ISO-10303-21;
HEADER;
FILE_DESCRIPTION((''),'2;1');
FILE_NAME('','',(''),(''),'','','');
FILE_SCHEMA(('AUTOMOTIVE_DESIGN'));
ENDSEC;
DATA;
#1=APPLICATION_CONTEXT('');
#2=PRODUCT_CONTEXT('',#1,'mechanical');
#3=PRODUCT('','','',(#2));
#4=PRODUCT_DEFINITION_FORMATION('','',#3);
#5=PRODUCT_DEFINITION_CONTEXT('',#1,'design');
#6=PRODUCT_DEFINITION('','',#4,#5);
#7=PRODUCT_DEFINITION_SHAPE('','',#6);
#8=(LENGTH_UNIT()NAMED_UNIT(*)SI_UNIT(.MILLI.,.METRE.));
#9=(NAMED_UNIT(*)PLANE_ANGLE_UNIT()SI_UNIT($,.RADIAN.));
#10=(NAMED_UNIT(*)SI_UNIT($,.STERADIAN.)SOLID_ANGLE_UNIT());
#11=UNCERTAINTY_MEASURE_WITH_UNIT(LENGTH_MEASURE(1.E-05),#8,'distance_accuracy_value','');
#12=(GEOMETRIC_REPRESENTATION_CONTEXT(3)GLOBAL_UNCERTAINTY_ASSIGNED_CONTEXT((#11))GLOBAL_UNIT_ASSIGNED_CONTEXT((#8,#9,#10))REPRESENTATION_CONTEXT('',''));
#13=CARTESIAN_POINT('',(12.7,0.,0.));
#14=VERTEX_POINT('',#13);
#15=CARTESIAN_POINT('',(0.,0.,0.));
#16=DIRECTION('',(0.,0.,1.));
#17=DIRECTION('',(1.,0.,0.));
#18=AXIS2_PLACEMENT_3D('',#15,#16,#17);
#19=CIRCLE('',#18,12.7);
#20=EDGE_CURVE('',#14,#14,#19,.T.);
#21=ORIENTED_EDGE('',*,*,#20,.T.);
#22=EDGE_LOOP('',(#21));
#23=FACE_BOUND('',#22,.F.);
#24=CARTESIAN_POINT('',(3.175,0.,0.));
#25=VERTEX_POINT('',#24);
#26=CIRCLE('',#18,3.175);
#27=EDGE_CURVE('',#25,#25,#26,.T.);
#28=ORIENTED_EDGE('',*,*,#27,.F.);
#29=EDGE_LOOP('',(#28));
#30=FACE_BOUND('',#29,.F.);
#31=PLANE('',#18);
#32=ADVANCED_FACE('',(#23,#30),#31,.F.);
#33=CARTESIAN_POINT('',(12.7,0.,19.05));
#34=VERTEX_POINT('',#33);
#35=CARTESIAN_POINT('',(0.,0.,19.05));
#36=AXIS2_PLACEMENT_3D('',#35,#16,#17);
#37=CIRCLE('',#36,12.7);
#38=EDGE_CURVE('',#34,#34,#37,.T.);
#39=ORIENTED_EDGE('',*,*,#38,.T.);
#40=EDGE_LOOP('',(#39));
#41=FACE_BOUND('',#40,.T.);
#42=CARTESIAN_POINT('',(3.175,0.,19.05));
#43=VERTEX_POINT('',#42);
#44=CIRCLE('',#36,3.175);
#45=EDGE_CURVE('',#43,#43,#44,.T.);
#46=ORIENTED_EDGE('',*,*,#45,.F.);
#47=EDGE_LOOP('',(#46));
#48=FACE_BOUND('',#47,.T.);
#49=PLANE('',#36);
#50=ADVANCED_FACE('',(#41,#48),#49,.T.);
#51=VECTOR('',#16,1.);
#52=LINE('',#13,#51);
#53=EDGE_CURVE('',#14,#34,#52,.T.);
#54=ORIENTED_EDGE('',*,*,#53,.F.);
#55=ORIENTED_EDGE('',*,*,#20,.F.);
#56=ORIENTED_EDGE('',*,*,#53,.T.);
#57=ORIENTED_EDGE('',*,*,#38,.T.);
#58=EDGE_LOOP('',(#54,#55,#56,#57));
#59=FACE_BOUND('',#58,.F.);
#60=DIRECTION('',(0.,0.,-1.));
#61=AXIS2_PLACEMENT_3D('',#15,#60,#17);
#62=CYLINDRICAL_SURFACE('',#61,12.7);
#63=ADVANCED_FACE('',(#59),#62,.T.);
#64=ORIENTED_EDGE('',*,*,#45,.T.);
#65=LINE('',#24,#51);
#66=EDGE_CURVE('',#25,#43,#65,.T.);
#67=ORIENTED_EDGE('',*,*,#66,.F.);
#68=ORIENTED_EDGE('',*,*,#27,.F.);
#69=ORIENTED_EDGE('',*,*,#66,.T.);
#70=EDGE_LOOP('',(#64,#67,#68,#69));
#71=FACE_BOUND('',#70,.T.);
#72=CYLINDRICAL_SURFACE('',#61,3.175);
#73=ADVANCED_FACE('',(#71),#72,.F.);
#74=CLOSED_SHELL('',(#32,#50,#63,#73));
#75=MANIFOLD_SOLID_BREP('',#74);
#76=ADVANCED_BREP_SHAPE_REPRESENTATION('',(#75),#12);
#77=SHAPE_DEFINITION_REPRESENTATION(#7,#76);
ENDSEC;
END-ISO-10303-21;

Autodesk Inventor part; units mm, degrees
ref_plane "YZ Plane" through (0, 0, 0) normal (1, 0, 0) x (0, 1, 0)
ref_plane "XZ Plane" through (0, 0, 0) normal (0, 1, 0) x (-1, 0, 0)
ref_plane "XY Plane" through (0, 0, 0) normal (0, 0, 1) x (1, 0, 0)
sketch "Sketch1" plane through (0, 0, 0) normal (0, 0, 1) x (1, 0, 0)
  circle A0 centre (0, 0) radius 12.7
  circle A1 centre (0, 0) radius 3.175
  dimension "d0" = 25.4
  dimension "d1" = 6.35
extrude "Extrusion1" add sketch "Sketch1" along normal blind 19.05
properties part number "CLB_028_ScissorLiftSpacer" material "Acetal Resin, Black"
